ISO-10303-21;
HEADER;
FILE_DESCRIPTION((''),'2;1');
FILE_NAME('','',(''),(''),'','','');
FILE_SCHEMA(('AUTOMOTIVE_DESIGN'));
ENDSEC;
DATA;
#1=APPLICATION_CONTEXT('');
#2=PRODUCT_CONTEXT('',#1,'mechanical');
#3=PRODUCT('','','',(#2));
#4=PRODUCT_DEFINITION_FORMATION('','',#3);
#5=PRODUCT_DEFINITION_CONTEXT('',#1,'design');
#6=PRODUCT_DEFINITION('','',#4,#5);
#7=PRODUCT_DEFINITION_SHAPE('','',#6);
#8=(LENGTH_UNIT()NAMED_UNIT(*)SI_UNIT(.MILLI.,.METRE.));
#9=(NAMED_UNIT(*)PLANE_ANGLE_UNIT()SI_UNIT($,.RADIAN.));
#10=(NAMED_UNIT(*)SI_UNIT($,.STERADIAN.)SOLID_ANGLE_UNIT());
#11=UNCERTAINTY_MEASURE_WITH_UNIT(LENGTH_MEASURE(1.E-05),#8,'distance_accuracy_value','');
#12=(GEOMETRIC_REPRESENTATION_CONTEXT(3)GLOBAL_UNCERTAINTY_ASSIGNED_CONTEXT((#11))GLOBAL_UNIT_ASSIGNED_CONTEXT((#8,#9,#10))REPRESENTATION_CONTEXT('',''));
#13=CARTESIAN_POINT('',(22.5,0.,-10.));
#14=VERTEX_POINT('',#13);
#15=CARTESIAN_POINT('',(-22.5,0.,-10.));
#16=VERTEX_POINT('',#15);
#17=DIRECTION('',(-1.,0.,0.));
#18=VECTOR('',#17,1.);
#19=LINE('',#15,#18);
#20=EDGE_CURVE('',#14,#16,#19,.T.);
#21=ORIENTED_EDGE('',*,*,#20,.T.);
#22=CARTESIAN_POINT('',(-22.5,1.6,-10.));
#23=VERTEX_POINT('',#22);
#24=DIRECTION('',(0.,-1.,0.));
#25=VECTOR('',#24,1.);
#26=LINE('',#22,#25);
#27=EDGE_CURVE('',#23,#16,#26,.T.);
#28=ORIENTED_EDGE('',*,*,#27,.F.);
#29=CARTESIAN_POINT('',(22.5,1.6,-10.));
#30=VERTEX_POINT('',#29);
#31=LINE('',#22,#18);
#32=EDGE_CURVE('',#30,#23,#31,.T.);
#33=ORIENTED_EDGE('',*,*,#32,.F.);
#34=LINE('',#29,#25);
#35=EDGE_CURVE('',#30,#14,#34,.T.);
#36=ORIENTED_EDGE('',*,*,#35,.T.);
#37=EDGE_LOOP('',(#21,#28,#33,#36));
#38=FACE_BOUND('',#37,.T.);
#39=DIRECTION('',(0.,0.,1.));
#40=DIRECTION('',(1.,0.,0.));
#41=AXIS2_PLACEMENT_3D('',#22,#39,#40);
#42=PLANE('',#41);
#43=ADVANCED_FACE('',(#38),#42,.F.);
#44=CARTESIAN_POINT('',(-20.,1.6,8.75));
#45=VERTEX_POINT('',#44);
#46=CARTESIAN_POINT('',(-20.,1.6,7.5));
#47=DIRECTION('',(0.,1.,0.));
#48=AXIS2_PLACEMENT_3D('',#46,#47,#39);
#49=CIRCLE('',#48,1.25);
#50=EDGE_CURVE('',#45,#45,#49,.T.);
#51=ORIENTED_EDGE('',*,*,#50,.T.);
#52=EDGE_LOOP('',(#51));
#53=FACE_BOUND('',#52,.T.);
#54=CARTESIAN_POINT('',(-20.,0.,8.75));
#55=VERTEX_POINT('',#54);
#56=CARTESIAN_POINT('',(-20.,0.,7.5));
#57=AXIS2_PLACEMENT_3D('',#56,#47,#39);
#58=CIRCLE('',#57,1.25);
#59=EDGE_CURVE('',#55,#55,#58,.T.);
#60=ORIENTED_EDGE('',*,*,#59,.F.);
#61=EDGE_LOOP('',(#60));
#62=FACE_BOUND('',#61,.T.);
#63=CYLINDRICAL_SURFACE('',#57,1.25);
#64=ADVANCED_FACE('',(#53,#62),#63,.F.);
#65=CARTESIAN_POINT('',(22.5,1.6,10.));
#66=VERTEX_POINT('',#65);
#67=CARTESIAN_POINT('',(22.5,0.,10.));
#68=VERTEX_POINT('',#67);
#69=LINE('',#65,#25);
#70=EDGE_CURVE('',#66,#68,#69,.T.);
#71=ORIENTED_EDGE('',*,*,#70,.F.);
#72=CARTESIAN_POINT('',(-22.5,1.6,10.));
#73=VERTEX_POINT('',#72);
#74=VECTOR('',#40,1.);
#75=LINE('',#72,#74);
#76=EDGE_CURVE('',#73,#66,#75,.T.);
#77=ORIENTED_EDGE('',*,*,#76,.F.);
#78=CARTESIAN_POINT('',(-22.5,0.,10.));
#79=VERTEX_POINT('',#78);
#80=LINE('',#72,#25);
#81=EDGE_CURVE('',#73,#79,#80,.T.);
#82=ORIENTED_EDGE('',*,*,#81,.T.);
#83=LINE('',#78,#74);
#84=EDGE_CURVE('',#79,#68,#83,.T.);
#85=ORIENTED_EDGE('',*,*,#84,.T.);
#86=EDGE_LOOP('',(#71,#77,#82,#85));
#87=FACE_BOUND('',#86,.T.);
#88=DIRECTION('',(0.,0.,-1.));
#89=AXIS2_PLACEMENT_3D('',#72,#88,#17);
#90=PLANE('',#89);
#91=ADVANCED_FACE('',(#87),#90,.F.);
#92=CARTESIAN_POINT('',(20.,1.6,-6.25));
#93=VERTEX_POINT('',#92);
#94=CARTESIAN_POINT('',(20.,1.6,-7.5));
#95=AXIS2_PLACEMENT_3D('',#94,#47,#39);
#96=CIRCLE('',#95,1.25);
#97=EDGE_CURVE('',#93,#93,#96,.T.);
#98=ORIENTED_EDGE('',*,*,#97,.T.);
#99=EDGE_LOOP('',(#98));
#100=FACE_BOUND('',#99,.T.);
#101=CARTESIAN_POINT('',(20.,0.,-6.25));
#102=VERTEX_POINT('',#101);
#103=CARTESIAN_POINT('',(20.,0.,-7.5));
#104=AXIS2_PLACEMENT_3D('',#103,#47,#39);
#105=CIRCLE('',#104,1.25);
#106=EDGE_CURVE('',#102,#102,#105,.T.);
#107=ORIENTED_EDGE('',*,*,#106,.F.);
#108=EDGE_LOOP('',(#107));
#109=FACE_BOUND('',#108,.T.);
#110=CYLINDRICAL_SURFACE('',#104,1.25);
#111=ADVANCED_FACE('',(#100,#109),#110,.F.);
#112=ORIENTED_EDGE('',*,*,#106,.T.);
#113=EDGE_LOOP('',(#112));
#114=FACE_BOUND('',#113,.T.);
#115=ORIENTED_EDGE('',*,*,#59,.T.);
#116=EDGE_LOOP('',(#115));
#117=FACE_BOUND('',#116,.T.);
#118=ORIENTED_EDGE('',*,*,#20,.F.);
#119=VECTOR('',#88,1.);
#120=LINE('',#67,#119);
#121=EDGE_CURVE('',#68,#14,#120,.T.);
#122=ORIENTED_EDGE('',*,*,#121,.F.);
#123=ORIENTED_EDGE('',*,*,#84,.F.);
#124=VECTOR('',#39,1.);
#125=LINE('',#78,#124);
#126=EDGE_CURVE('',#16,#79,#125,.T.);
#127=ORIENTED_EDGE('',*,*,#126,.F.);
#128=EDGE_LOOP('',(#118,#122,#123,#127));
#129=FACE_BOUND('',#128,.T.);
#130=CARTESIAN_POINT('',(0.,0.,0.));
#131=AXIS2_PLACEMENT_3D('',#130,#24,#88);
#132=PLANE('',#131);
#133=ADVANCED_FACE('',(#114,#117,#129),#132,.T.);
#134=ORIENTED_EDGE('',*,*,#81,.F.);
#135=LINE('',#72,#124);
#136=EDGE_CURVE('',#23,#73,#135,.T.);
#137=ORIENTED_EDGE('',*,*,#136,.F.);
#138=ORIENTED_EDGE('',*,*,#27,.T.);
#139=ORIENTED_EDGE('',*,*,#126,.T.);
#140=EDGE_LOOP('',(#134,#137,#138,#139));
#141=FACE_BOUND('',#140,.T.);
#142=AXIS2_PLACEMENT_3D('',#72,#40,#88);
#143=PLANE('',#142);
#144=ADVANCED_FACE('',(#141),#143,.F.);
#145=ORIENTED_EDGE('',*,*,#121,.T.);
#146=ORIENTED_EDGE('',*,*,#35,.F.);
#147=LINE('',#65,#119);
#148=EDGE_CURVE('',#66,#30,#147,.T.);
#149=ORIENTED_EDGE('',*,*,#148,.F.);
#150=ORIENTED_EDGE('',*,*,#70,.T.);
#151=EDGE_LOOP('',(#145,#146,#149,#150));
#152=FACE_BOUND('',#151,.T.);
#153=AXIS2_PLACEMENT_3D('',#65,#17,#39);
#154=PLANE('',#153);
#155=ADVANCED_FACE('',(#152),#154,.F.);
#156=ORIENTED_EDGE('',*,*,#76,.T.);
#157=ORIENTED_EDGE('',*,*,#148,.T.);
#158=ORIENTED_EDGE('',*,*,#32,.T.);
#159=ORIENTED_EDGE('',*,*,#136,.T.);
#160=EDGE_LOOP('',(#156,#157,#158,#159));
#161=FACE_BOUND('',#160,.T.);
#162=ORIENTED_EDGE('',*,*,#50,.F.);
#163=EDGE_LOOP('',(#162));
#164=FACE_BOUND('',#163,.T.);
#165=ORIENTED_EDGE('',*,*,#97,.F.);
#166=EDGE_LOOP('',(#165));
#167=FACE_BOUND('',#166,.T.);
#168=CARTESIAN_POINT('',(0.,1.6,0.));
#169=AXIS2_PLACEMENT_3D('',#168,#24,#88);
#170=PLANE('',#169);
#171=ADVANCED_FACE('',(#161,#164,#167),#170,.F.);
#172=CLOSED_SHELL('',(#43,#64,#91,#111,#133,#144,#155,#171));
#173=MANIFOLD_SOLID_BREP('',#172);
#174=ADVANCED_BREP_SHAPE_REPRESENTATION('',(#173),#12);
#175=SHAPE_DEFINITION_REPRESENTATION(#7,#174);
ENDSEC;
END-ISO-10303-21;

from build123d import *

# Parameters (mm, degrees)
SKETCH1_W           = 45
SKETCH1_H           = 20
BOSS_EXTRUDE1_DEPTH = 1.6
SKETCH8_R           = 1.25
CUT_EXTRUDE3_DEPTH  = 2.6


with BuildPart() as part:
    # Sketch1 → Boss-Extrude1 (new body)
    with BuildSketch(Plane(origin=(0, 0, 0), x_dir=(1, 0, 0), z_dir=(0, 1, 0))):
        Rectangle(SKETCH1_W, SKETCH1_H)
    extrude(amount=BOSS_EXTRUDE1_DEPTH)

    # Sketch8 → Cut-Extrude3 (cut, through all)
    with BuildSketch(Plane(origin=(0, 1.6, 0), x_dir=(1, 0, 0), z_dir=(0, 1, 0))):
        with Locations((-20, -7.5)):
            Circle(SKETCH8_R)
        with Locations((20, 7.5)):
            Circle(SKETCH8_R)
    extrude(amount=-CUT_EXTRUDE3_DEPTH, mode=Mode.SUBTRACT)


solid = part.part
